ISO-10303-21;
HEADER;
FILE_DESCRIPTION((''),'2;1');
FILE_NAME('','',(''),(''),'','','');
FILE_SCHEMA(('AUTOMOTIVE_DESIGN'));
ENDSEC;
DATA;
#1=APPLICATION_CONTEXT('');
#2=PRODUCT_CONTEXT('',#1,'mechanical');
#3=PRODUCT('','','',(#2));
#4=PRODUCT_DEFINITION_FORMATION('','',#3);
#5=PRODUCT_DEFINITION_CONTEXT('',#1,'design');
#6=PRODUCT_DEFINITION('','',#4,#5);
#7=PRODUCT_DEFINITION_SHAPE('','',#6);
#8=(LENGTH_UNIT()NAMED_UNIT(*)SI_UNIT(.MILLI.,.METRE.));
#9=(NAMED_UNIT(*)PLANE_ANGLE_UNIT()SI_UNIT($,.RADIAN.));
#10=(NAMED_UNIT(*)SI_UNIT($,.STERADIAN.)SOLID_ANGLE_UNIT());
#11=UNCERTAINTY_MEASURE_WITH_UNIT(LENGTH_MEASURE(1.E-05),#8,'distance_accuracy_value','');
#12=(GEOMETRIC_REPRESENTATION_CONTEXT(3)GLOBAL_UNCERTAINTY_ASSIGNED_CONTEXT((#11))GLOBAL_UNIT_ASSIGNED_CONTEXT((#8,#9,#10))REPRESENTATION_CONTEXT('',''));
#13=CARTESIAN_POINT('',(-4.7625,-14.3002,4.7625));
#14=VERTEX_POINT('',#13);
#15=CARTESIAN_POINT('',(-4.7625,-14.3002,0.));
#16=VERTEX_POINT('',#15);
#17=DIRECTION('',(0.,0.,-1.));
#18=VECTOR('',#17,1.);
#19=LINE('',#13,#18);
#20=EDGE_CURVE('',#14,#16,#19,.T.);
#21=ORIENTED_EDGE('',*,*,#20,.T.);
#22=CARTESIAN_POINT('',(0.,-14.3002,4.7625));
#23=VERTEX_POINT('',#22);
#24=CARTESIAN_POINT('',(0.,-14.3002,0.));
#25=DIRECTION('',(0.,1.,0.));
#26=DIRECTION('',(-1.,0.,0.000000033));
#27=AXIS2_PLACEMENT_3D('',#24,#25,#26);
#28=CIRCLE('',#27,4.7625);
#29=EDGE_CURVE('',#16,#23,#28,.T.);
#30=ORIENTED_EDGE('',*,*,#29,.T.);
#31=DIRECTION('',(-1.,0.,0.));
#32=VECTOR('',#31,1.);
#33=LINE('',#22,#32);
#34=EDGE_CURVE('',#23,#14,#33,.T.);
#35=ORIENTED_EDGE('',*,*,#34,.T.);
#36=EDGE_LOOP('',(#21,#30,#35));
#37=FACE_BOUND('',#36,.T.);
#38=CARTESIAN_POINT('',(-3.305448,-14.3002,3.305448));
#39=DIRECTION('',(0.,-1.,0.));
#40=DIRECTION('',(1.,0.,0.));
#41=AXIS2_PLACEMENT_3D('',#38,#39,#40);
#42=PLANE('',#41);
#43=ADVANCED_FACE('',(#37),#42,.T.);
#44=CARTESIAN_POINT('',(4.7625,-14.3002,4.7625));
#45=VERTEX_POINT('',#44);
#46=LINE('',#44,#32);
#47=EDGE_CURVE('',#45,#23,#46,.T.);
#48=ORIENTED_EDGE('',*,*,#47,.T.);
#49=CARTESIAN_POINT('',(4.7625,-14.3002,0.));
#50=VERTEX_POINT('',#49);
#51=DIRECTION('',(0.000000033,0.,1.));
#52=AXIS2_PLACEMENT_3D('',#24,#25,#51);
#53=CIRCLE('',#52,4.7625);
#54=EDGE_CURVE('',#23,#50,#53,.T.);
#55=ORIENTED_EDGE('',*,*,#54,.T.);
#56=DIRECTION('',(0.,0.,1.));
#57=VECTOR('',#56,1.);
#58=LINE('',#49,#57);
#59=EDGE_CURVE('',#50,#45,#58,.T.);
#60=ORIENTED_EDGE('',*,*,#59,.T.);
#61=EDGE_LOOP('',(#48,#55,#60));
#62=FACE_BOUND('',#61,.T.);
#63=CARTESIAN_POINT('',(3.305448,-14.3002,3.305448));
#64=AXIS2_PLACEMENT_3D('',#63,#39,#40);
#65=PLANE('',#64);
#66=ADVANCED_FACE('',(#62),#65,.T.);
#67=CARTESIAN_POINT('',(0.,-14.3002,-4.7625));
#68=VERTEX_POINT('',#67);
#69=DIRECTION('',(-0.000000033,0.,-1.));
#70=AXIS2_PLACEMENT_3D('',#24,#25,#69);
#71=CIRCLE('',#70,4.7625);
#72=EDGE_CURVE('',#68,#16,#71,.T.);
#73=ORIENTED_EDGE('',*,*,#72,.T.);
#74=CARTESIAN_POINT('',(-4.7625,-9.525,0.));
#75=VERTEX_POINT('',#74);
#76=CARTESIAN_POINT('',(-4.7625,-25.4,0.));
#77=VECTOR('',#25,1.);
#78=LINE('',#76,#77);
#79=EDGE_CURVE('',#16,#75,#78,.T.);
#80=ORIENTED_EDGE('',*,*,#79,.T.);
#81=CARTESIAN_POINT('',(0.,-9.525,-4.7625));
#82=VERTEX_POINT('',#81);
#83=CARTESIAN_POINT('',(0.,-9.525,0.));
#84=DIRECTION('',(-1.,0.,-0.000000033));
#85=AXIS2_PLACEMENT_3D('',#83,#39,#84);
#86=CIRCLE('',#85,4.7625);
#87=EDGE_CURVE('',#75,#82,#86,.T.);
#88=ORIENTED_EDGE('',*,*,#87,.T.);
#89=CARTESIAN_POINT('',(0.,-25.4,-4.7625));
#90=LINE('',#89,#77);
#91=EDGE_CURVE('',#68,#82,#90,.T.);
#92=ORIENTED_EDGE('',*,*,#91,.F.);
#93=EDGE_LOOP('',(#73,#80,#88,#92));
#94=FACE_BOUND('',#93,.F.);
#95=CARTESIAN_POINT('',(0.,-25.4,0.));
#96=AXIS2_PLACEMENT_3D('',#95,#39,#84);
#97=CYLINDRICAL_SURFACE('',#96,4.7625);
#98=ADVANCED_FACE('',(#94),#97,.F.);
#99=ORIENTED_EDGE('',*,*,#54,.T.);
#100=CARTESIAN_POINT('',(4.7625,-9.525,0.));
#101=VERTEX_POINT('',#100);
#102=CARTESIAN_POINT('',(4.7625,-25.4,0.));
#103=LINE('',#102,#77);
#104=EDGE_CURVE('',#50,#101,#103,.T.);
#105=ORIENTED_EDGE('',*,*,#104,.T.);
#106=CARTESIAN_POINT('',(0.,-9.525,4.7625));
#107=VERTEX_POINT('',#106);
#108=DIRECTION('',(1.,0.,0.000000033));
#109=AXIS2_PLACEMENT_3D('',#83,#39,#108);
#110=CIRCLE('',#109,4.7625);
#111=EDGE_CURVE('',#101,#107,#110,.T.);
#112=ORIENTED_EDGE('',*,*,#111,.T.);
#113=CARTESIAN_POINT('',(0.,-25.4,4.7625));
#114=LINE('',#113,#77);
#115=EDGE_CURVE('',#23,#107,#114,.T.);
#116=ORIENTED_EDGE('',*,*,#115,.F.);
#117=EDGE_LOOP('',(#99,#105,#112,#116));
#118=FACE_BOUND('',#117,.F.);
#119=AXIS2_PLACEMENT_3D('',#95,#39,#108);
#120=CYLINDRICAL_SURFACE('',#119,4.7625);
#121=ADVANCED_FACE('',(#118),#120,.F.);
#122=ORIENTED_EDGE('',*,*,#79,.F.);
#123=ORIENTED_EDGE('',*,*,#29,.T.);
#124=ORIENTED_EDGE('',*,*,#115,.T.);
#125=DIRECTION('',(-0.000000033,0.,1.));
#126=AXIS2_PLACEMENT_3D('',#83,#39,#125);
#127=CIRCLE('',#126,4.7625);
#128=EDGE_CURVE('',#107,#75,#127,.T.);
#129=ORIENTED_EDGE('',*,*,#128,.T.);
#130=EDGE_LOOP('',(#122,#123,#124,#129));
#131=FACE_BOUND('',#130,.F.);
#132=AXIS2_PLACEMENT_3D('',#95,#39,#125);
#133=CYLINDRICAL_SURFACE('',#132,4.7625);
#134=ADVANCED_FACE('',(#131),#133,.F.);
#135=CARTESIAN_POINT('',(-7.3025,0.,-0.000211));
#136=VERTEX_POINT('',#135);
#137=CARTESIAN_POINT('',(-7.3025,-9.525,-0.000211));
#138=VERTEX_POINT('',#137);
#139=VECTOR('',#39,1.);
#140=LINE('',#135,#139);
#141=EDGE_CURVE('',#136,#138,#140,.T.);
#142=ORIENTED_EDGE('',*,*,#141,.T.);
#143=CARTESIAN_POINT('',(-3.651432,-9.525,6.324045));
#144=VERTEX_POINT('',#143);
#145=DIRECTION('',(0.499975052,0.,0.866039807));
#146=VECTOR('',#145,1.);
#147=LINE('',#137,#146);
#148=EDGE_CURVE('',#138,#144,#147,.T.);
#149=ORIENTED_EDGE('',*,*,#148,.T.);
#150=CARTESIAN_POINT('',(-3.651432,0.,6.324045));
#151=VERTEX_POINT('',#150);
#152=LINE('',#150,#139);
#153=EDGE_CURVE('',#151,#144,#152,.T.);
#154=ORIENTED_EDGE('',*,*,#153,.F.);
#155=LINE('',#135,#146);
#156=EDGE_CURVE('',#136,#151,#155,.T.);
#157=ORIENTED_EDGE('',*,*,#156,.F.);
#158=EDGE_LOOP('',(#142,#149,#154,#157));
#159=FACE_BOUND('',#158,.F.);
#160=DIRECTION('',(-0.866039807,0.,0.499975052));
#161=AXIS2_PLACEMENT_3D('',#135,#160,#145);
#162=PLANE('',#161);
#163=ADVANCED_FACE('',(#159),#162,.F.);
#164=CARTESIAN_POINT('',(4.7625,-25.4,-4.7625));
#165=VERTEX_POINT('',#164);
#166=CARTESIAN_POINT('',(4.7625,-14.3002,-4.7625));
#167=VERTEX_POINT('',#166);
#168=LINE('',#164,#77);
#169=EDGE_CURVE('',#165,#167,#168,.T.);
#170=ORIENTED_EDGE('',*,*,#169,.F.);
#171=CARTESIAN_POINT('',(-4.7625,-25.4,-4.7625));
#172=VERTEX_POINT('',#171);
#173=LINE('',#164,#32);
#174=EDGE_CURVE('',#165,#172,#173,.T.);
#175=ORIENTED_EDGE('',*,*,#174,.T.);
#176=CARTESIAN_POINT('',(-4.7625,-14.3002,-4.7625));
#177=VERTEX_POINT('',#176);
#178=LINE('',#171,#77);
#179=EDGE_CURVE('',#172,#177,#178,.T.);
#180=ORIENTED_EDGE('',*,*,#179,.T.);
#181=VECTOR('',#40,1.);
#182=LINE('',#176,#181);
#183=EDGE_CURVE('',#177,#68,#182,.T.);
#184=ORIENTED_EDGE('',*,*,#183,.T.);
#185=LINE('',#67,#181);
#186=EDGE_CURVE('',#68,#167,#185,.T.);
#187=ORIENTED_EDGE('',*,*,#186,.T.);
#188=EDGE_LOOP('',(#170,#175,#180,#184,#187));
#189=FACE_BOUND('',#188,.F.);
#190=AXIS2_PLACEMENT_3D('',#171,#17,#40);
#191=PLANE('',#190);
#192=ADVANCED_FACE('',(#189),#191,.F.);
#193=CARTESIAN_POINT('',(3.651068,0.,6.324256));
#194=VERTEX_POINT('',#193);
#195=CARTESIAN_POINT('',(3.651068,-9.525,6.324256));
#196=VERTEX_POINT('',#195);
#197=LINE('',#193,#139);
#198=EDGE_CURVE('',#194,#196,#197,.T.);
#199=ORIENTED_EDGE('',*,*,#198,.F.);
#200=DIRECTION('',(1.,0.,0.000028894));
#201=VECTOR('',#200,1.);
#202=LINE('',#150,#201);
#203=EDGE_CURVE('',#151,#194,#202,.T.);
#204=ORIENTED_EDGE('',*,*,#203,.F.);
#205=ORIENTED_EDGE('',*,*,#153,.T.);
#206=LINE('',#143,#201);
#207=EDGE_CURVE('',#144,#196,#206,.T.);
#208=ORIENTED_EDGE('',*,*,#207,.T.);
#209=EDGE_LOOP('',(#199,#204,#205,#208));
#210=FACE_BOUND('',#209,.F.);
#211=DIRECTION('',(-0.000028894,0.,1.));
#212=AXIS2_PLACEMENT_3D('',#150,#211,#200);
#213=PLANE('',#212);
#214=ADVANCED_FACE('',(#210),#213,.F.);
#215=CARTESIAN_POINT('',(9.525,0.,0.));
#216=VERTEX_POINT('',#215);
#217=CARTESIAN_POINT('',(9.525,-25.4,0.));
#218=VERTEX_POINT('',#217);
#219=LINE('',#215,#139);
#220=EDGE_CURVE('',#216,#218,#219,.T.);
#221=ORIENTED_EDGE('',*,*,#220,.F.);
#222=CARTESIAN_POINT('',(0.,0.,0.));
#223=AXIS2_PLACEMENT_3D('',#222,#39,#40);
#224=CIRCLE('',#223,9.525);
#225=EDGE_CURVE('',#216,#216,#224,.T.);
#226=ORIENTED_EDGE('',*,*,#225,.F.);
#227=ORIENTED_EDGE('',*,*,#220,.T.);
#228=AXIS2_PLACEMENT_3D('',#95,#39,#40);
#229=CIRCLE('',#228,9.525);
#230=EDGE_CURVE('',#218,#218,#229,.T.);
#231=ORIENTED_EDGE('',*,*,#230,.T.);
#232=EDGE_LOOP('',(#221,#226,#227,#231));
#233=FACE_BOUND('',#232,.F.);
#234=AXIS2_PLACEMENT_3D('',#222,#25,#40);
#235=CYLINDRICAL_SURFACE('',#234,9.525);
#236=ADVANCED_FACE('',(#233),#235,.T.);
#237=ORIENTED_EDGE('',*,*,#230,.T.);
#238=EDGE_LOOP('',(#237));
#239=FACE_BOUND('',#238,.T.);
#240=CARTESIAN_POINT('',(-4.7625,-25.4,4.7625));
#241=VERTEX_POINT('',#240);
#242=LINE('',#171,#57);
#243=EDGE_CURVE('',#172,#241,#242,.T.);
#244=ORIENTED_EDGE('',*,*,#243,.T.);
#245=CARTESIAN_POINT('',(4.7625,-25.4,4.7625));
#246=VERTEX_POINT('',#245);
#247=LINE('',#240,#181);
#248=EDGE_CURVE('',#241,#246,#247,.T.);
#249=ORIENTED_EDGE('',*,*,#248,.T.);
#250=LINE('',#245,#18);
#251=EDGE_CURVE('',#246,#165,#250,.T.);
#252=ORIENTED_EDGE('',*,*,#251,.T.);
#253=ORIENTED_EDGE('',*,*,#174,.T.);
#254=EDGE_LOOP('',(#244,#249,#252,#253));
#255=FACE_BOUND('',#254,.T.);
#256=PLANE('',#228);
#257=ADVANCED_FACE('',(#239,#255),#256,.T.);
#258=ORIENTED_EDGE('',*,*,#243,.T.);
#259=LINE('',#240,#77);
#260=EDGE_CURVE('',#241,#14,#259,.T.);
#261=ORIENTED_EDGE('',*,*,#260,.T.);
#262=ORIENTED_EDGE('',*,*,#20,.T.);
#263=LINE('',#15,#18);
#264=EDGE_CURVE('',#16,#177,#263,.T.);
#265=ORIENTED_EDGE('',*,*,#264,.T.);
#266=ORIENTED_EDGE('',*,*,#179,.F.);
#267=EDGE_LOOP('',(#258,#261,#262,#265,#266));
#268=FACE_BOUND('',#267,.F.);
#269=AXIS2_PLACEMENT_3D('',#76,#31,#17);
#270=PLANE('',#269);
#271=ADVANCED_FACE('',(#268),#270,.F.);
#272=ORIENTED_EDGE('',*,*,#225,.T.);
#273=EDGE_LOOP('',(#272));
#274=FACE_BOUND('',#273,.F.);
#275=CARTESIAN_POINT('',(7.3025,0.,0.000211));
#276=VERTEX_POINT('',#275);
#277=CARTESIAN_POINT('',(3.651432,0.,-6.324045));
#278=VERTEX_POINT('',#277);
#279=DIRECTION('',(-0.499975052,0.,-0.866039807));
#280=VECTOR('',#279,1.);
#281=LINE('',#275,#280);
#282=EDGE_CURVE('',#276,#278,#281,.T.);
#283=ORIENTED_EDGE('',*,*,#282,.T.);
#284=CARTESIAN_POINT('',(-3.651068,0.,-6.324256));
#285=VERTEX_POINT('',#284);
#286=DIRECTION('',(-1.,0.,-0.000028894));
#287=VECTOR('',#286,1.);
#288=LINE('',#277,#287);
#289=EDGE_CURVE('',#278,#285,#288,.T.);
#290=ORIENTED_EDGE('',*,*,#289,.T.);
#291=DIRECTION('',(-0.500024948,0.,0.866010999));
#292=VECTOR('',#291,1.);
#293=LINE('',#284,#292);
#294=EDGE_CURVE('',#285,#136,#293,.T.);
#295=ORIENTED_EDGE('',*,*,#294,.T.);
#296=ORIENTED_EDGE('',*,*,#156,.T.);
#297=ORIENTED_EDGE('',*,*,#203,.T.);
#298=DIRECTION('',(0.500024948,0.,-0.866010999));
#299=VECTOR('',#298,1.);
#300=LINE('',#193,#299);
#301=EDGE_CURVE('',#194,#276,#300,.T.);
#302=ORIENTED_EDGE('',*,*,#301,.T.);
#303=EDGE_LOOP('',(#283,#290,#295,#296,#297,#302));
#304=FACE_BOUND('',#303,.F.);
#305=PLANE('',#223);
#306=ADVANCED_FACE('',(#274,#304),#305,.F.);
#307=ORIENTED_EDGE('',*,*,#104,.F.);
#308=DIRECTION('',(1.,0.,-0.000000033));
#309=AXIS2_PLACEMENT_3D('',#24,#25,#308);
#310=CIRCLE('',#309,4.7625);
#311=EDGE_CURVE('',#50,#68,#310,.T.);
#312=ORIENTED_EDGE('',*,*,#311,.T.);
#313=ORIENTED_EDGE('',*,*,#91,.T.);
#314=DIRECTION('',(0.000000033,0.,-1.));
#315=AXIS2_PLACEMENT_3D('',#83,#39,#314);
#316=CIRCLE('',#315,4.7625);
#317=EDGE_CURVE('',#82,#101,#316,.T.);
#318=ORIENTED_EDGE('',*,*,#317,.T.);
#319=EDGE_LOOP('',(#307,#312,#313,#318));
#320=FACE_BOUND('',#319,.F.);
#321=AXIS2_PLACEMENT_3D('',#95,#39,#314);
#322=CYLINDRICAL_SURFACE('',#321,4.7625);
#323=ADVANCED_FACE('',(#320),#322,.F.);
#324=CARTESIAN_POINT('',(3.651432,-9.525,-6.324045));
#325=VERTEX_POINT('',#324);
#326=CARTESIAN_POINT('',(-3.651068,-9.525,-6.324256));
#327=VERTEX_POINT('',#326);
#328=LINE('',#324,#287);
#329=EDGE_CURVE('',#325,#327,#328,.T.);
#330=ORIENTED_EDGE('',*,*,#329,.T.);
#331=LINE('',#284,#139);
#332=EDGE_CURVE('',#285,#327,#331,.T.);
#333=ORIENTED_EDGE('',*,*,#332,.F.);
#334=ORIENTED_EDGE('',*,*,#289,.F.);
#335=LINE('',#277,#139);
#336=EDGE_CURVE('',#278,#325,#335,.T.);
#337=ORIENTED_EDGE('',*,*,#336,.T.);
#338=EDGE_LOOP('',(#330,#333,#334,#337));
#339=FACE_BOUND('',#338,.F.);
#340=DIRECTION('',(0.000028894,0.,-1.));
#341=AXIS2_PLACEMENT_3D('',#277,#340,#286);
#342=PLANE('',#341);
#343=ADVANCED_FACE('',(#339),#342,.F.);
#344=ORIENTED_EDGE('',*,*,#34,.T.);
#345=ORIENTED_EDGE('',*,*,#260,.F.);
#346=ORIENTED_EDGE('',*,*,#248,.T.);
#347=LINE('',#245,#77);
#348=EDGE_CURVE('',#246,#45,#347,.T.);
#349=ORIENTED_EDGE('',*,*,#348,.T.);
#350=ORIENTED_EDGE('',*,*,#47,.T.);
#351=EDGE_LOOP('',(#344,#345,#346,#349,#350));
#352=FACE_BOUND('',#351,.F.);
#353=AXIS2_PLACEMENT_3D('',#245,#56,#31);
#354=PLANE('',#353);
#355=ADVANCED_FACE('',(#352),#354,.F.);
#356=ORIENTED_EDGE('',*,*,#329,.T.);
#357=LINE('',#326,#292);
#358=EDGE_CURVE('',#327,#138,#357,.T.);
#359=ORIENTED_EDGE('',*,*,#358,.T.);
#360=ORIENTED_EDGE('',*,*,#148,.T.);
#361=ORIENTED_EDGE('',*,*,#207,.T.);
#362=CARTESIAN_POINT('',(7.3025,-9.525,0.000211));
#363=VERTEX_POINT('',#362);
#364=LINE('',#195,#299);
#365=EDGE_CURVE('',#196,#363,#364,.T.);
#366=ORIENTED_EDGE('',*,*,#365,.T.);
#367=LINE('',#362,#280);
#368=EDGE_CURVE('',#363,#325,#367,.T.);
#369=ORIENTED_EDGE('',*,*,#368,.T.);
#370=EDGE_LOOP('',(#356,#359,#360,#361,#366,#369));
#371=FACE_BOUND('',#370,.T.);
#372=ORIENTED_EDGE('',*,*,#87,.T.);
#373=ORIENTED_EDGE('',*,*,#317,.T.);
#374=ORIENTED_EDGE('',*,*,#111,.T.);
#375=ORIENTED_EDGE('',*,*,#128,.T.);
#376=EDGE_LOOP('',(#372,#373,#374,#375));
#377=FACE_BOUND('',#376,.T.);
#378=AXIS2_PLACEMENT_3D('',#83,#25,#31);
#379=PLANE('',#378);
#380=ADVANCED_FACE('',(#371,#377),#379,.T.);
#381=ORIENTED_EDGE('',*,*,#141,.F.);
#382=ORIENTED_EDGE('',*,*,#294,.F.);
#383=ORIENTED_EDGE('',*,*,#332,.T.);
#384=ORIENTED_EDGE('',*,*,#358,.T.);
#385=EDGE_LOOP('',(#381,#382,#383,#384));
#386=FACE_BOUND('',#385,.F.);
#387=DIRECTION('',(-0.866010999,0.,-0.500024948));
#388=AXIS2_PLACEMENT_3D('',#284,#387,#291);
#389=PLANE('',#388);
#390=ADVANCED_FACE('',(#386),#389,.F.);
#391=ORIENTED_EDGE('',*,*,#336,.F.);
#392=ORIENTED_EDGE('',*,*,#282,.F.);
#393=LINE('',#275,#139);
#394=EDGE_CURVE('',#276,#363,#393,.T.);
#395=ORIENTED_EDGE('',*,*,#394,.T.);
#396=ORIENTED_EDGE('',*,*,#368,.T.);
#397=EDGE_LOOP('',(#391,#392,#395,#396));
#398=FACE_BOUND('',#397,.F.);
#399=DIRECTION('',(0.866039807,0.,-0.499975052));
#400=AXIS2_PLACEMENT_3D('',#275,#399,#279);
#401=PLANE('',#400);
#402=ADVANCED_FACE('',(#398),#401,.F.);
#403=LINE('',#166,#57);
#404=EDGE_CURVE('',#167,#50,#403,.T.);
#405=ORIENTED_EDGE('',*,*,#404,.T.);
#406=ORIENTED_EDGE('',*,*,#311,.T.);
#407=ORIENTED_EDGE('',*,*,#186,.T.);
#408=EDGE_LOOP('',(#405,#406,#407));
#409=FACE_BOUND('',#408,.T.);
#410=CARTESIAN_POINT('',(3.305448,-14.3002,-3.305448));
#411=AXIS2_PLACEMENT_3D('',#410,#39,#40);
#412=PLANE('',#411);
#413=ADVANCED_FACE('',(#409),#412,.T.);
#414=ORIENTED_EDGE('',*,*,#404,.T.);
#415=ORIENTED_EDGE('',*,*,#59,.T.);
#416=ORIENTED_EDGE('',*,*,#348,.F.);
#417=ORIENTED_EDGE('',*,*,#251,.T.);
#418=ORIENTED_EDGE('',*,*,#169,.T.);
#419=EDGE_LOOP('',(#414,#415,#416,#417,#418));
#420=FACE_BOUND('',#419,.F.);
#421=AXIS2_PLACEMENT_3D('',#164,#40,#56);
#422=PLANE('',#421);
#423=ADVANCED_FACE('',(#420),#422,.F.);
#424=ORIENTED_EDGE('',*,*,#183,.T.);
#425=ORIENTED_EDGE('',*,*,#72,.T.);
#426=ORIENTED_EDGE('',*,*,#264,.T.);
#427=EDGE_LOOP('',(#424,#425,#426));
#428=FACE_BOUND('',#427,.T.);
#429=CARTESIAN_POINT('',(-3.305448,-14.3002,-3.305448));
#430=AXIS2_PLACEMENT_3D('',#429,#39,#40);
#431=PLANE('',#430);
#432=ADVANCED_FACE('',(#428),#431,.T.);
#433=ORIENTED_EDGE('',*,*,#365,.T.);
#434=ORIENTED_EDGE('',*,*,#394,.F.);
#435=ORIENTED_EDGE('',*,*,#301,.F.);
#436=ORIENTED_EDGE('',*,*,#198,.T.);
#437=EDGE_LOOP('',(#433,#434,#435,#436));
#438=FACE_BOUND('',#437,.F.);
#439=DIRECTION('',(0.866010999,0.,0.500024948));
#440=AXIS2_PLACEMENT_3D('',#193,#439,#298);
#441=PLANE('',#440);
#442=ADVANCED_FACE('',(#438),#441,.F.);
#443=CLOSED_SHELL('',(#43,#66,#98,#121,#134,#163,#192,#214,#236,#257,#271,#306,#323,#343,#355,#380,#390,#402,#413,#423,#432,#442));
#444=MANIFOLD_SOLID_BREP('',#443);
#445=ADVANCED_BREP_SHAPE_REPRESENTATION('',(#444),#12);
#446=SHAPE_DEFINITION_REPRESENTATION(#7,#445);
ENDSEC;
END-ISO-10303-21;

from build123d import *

# Parameters (mm, degrees)
F0_R     = 9.525
F1_DEPTH = 25.4
F3_DEPTH = 25.401
F4_DEPTH = 11.0998
F6_DEPTH = 9.525


with BuildPart() as f1:
    # F0 (on Front) → F1 (new body)
    with BuildSketch(Plane.XZ):
        Circle(F0_R)
    extrude(amount=F1_DEPTH)

    # F2 (on face) → F3 (cut, through all)
    with BuildSketch(Plane.XZ.offset(25.4)):
        with BuildLine():
            ThreePointArc((-4.7625, 0), (-3.367596, -3.367596), (0, -4.7625))
            ThreePointArc((0, -4.7625), (3.367596, -3.367596), (4.7625, 0))
            ThreePointArc((4.7625, 0), (3.367596, 3.367596), (0, 4.7625))
            ThreePointArc((0, 4.7625), (-3.367596, 3.367596), (-4.7625, 0))
        make_face()
    extrude(amount=-F3_DEPTH, mode=Mode.SUBTRACT)

    # F2 (on face) → F4 (cut)
    with BuildSketch(Plane.XZ.offset(25.4)):
        with BuildLine():
            Line((0, -4.7625), (4.7625, -4.7625))
            Line((4.7625, -4.7625), (4.7625, 0))
            ThreePointArc((4.7625, 0), (3.367596, -3.367596), (0, -4.7625))
        make_face()
        with BuildLine():
            Line((-4.7625, -4.7625), (0, -4.7625))
            ThreePointArc((0, -4.7625), (-3.367596, -3.367596), (-4.7625, 0))
            Line((-4.7625, 0), (-4.7625, -4.7625))
        make_face()
        with BuildLine():
            ThreePointArc((0, 4.7625), (3.367596, 3.367596), (4.7625, 0))
            Line((4.7625, 0), (4.7625, 4.7625))
            Line((4.7625, 4.7625), (0, 4.7625))
        make_face()
        with BuildLine():
            Line((-4.7625, 4.7625), (-4.7625, 0))
            ThreePointArc((-4.7625, 0), (-3.367596, 3.367596), (0, 4.7625))
            Line((0, 4.7625), (-4.7625, 4.7625))
        make_face()
    extrude(amount=-F4_DEPTH, mode=Mode.SUBTRACT)

    # F5 (on face) → F6 (cut)
    with BuildSketch(Plane(origin=(0, 0, 0), x_dir=(-1, 0, 0), z_dir=(0, 1, 0))):
        Polygon((7.3025, -0.000211), (3.651432, 6.324045), (-3.651068, 6.324256), (-7.3025, 0.000211), (-3.651432, -6.324045), (3.651068, -6.324256), align=None)
    extrude(amount=-F6_DEPTH, mode=Mode.SUBTRACT)


solid = f1.part
